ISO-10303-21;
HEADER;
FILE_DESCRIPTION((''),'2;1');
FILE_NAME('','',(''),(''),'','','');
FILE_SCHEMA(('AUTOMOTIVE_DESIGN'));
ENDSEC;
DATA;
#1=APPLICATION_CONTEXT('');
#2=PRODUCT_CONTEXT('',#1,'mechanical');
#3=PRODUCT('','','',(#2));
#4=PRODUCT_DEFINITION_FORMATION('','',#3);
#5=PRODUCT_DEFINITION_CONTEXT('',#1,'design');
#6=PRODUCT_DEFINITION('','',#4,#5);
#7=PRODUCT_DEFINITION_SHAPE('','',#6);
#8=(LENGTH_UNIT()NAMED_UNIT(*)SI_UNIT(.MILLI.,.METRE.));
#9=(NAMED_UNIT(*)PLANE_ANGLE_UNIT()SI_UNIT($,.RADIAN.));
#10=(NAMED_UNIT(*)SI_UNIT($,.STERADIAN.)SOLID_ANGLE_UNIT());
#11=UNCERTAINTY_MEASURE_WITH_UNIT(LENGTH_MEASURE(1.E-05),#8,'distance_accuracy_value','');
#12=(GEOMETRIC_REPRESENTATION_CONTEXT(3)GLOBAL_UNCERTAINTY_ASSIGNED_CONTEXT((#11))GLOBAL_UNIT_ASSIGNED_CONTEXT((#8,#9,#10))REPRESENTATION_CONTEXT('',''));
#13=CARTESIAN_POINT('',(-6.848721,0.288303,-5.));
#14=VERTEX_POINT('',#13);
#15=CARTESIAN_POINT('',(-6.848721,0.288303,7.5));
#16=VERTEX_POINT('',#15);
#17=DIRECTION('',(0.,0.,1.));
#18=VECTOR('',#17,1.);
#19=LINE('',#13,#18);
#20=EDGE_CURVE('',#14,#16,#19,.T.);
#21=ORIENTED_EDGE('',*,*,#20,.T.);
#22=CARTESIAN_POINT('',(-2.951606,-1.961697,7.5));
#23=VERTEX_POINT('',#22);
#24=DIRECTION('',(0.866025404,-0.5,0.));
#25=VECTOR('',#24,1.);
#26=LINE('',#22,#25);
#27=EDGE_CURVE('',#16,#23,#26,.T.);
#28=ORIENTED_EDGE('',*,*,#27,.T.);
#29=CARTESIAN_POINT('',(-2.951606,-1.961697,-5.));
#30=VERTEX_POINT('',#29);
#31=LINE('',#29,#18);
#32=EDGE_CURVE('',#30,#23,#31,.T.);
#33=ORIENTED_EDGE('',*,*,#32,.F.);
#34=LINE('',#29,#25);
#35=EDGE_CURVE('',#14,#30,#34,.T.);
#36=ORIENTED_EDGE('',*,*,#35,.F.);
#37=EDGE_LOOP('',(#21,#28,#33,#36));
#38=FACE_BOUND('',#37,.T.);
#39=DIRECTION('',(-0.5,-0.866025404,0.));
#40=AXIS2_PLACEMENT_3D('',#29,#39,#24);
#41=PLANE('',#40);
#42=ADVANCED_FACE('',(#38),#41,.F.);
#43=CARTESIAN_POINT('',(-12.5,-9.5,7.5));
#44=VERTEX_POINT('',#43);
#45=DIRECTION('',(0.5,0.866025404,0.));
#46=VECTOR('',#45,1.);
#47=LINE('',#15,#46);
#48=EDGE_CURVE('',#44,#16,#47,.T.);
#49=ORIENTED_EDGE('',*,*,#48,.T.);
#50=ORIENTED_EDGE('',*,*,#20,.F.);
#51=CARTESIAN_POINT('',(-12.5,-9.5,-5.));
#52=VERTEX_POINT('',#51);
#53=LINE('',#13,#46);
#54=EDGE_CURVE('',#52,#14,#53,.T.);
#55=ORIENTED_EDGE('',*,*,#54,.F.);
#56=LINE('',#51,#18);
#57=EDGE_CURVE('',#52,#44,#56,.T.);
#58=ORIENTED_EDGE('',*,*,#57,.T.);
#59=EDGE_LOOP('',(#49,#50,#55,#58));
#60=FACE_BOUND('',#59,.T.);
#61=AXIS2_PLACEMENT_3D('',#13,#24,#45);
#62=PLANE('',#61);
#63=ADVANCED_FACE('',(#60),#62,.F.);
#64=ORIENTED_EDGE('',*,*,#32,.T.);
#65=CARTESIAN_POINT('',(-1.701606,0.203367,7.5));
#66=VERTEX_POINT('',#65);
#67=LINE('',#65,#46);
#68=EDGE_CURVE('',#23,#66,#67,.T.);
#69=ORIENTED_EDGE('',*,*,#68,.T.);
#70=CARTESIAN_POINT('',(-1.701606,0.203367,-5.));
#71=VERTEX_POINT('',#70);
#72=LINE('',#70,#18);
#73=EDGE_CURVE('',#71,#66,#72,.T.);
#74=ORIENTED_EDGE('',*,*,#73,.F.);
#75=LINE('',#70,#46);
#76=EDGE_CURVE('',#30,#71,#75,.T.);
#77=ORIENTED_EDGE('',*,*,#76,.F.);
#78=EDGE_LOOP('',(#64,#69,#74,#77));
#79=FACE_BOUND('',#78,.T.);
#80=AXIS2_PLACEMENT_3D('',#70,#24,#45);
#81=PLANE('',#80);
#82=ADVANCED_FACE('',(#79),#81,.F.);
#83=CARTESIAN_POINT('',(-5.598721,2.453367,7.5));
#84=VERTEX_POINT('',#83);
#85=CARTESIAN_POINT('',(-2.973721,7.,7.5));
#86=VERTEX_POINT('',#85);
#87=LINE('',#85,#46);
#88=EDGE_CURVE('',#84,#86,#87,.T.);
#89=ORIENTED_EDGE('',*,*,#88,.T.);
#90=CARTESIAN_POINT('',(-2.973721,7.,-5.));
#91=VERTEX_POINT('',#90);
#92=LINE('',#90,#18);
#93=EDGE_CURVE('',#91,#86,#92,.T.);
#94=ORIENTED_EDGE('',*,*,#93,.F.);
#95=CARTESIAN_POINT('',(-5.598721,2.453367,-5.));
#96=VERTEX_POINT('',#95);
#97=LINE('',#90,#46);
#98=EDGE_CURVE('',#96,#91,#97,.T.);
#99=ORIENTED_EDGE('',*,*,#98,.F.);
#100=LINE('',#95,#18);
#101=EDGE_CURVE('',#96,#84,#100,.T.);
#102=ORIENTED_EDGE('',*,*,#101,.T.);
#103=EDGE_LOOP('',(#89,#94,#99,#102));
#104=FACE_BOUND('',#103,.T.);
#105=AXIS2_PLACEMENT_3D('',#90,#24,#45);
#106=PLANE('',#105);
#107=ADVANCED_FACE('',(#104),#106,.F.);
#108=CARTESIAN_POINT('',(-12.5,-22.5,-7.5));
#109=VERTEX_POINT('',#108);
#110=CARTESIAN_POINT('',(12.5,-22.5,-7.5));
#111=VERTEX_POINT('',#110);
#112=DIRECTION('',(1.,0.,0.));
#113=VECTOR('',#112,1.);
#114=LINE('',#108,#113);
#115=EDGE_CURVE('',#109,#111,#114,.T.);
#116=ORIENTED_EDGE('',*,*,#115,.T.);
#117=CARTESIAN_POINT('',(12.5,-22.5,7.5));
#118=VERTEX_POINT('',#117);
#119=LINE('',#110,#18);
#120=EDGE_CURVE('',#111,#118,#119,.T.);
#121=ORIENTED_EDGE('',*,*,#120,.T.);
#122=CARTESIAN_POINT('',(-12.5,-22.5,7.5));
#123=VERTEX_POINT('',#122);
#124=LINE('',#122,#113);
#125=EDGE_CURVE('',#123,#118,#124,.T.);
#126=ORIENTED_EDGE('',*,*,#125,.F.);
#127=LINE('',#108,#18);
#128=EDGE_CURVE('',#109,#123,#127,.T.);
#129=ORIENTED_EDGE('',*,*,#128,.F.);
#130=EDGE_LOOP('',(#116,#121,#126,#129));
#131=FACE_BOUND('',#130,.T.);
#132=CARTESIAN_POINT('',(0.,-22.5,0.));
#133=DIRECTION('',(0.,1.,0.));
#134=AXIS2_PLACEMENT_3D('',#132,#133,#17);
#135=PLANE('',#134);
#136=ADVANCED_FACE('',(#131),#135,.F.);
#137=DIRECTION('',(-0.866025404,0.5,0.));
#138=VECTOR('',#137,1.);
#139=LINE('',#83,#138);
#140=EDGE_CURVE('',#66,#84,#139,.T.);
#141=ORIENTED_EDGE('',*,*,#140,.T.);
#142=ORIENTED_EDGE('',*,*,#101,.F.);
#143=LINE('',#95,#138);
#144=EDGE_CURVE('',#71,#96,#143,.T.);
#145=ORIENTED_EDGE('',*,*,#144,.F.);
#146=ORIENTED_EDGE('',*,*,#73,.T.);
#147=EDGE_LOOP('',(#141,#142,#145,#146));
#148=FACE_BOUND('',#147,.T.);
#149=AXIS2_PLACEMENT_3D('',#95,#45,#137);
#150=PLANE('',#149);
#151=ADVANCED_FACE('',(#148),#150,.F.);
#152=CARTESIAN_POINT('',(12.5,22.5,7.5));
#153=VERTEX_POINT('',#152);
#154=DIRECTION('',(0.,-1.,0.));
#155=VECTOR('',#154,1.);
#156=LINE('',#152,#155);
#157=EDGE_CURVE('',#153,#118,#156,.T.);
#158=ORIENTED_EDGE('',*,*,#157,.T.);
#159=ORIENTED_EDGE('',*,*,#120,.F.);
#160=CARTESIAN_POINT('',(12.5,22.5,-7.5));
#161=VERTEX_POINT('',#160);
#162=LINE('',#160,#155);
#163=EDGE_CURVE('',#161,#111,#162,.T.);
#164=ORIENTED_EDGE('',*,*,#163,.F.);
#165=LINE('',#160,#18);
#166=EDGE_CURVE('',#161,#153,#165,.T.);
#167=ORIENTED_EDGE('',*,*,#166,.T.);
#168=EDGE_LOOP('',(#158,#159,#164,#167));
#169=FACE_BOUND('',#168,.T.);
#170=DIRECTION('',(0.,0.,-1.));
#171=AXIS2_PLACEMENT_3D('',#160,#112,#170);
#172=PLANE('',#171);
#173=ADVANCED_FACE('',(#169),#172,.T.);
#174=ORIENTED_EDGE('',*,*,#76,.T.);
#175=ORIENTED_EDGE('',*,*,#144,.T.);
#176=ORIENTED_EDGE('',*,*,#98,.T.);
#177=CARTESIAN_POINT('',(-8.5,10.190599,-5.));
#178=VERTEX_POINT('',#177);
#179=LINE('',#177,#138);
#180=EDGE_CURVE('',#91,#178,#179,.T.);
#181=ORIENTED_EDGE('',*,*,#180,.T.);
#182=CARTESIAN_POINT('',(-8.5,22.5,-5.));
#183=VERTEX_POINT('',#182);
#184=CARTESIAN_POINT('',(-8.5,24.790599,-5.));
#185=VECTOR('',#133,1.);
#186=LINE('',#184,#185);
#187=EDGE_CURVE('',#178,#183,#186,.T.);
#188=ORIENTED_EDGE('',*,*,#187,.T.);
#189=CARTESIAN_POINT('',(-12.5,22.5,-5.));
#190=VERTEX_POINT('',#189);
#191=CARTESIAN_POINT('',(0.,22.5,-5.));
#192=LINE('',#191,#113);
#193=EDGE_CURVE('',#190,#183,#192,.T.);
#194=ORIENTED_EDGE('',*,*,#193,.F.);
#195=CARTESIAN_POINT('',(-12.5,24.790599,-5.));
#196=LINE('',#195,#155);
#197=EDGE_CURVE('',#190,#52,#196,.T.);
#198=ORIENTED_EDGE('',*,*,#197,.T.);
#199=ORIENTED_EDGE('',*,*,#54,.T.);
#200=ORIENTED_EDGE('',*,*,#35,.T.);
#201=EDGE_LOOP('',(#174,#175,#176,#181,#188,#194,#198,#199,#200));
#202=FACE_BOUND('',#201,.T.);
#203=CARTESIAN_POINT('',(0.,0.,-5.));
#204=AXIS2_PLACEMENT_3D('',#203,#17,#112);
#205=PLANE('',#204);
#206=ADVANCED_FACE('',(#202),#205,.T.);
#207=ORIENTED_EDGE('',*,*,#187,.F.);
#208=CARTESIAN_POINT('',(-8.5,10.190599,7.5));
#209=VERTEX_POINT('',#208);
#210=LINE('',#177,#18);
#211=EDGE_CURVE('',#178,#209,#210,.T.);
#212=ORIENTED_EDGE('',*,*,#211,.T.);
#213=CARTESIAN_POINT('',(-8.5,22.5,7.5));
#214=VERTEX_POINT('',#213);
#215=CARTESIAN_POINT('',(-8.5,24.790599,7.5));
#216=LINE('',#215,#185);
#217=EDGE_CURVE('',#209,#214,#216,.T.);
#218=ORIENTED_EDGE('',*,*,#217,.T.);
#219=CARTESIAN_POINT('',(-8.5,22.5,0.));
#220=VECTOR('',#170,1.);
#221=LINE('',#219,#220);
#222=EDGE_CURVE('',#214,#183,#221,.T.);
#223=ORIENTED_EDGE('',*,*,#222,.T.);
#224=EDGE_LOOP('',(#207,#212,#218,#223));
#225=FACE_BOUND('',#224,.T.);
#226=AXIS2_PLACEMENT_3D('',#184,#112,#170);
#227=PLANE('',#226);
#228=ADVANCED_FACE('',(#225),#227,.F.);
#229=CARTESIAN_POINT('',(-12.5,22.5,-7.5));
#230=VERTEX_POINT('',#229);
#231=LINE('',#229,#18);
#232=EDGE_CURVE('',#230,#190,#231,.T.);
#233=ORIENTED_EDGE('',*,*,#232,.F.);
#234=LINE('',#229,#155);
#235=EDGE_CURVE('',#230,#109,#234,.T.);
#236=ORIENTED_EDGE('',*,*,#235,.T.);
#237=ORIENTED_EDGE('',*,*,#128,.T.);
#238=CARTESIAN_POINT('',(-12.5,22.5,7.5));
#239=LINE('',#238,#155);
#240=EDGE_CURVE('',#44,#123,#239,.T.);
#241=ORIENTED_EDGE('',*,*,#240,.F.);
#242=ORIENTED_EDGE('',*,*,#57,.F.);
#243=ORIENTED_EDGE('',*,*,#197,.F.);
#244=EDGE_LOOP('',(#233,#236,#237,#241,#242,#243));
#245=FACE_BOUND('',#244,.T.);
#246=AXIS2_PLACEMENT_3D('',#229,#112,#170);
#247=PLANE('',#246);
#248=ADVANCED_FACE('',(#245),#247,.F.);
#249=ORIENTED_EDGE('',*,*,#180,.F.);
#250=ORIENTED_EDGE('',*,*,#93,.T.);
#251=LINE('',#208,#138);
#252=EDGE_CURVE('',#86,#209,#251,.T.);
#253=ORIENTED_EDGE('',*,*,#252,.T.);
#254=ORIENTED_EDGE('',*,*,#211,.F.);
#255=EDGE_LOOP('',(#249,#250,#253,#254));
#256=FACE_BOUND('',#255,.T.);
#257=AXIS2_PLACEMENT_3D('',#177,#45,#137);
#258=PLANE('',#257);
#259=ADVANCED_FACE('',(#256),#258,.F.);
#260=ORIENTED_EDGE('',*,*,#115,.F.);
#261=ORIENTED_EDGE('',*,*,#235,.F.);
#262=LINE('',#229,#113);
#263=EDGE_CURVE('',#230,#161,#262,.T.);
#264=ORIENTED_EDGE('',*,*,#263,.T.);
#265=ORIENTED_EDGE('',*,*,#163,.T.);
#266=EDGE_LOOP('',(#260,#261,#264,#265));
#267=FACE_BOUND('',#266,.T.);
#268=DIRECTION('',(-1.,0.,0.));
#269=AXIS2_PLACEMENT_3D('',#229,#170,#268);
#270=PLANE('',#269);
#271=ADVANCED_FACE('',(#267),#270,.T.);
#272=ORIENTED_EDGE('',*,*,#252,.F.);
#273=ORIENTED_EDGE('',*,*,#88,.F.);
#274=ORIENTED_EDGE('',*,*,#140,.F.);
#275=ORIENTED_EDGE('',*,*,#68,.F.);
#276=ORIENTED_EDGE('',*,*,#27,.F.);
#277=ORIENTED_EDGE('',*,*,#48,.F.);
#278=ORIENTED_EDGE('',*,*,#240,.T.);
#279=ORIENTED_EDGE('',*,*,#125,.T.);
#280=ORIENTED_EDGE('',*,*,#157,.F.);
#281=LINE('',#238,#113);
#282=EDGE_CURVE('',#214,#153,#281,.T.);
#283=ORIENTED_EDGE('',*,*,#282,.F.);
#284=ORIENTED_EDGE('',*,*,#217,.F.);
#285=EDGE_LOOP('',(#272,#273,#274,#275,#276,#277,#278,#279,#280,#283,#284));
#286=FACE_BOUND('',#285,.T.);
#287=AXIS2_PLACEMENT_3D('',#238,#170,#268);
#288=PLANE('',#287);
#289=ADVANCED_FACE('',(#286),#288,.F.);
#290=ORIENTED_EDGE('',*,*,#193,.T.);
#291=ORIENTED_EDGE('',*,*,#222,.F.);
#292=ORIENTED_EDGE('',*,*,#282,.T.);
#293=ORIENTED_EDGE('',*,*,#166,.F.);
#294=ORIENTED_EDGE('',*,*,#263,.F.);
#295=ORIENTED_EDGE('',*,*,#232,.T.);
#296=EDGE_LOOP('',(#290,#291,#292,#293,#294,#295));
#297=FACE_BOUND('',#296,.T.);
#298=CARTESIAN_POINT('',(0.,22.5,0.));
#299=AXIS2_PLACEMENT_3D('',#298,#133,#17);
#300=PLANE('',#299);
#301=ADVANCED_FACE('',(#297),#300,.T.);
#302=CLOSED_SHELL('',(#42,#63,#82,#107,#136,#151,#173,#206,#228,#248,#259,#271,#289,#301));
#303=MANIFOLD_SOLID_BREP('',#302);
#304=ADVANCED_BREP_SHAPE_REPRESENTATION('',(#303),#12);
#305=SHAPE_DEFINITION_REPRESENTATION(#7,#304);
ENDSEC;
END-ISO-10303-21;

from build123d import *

# Parameters (mm, degrees)
SKETCH1_W           = 25
SKETCH1_H           = 15
BOSS_EXTRUDE2_DEPTH = 22.5
CUT_EXTRUDE2_DEPTH  = 12.5


with BuildPart() as part:
    # Sketch1 → Boss-Extrude2 (new, symmetric)
    with BuildSketch(Plane(origin=(0, 0, 0), x_dir=(1, 0, 0), z_dir=(0, 1, 0))):
        Rectangle(SKETCH1_W, SKETCH1_H)
    extrude(amount=BOSS_EXTRUDE2_DEPTH, both=True)

    # Sketch5 → Cut-Extrude2 (cut)
    with BuildSketch(Plane.XY.offset(7.5)):
        Polygon((-8.5, 10.190598923), (-2.973720558, 7), (-5.598720558, 2.45336663), (-1.701606241, 0.20336663), (-2.951606241, -1.961696879), (-6.848720558, 0.288303121), (-12.5, -9.5), (-12.5, 24.790598923), (-8.5, 24.790598923), align=None)
    extrude(amount=-CUT_EXTRUDE2_DEPTH, mode=Mode.SUBTRACT)


solid = part.part
